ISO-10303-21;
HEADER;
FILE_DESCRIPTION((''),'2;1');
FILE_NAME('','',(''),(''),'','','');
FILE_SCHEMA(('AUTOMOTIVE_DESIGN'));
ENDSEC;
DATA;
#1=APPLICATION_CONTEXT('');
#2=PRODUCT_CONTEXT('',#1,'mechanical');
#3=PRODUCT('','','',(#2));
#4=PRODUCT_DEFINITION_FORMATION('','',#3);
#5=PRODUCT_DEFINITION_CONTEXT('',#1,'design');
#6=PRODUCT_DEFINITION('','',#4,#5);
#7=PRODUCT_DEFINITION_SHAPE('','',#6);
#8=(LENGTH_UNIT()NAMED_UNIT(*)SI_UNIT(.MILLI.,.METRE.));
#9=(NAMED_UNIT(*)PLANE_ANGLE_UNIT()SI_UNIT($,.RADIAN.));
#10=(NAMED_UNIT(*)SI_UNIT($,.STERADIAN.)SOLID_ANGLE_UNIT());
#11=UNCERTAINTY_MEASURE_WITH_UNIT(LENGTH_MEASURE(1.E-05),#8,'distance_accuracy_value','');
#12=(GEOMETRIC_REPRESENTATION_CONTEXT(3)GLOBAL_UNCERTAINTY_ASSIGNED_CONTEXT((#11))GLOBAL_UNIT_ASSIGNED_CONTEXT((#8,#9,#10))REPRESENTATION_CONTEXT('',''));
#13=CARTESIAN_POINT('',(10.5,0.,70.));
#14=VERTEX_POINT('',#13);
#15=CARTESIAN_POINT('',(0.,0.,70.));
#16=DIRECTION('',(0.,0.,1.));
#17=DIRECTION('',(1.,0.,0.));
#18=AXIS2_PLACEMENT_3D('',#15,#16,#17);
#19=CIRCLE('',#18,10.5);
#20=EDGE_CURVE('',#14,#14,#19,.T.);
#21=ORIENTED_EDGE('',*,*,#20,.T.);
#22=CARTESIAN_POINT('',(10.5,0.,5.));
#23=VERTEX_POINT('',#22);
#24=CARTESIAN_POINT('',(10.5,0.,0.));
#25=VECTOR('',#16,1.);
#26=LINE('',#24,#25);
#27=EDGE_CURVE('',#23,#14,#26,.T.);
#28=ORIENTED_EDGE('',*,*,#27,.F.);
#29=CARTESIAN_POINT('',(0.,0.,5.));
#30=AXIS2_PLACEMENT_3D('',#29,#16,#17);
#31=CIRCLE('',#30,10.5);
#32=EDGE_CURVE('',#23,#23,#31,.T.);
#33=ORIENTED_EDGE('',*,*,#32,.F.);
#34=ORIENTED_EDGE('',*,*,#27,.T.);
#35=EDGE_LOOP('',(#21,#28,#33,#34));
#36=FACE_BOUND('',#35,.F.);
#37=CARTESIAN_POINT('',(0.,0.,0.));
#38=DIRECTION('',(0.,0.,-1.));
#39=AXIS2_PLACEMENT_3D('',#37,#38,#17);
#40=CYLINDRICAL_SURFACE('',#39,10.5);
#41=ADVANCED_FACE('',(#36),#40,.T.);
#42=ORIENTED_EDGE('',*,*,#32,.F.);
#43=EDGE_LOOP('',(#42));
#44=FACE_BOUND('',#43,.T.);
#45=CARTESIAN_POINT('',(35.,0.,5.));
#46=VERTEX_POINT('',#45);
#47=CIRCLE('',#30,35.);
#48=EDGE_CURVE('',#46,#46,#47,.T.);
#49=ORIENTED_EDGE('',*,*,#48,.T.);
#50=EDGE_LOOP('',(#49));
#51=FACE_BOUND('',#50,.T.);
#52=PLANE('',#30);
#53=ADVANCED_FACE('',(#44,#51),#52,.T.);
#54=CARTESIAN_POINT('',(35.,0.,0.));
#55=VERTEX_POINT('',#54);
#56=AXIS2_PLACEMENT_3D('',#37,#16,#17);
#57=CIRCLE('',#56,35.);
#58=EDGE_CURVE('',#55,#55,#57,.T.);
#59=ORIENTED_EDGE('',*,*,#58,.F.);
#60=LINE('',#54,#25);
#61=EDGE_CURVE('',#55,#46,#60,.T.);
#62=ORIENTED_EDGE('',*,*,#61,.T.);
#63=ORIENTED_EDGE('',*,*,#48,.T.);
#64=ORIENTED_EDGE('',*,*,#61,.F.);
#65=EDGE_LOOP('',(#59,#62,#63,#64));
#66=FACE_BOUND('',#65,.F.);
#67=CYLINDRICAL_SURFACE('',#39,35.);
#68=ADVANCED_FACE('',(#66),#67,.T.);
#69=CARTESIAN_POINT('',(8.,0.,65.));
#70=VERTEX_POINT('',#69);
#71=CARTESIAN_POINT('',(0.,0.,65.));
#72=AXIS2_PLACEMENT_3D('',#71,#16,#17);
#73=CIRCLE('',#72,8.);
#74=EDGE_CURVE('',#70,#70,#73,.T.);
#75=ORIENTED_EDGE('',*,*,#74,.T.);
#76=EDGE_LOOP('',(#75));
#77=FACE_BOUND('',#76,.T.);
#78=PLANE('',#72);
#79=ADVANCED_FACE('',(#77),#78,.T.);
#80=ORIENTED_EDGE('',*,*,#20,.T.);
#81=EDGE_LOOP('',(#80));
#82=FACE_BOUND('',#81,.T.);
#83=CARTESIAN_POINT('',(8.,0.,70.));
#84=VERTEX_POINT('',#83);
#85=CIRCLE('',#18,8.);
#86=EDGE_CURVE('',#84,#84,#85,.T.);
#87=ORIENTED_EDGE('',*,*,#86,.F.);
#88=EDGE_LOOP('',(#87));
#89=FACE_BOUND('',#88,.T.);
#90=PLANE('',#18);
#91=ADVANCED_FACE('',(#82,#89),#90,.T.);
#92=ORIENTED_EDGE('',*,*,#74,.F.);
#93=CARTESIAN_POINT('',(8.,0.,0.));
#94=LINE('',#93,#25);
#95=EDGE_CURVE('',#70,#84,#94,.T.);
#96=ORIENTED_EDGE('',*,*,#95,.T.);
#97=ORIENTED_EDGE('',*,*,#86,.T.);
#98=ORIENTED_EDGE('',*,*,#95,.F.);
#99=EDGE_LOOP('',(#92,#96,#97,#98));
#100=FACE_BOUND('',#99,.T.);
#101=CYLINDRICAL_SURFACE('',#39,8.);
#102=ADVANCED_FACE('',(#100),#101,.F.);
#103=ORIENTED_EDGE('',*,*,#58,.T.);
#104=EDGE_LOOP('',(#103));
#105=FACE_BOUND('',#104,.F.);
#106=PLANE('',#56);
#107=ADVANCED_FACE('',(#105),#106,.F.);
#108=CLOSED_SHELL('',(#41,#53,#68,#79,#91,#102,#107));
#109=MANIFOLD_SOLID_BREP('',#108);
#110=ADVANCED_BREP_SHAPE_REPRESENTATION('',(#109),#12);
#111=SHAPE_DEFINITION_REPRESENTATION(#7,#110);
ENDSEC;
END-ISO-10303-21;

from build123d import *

# Parameters (mm, degrees)
F0_R     = 35
F0_R_2   = 10.5
F1_DEPTH = 5
F0_R_3   = 8
F2_DEPTH = 70
F3_DEPTH = 65


with BuildPart() as f1:
    # F0 (on Top) → F1 (new body)
    with BuildSketch(Plane.XY):
        Circle(F0_R)
        Circle(F0_R_2, mode=Mode.SUBTRACT)
    extrude(amount=F1_DEPTH)

    # F0 (on Top) → F2 (join)
    with BuildSketch(Plane.XY):
        Circle(F0_R_2)
        Circle(F0_R_3, mode=Mode.SUBTRACT)
    extrude(amount=F2_DEPTH)

    # F0 (on Top) → F3 (join)
    with BuildSketch(Plane.XY):
        Circle(F0_R_3)
    extrude(amount=F3_DEPTH)


solid = f1.part
